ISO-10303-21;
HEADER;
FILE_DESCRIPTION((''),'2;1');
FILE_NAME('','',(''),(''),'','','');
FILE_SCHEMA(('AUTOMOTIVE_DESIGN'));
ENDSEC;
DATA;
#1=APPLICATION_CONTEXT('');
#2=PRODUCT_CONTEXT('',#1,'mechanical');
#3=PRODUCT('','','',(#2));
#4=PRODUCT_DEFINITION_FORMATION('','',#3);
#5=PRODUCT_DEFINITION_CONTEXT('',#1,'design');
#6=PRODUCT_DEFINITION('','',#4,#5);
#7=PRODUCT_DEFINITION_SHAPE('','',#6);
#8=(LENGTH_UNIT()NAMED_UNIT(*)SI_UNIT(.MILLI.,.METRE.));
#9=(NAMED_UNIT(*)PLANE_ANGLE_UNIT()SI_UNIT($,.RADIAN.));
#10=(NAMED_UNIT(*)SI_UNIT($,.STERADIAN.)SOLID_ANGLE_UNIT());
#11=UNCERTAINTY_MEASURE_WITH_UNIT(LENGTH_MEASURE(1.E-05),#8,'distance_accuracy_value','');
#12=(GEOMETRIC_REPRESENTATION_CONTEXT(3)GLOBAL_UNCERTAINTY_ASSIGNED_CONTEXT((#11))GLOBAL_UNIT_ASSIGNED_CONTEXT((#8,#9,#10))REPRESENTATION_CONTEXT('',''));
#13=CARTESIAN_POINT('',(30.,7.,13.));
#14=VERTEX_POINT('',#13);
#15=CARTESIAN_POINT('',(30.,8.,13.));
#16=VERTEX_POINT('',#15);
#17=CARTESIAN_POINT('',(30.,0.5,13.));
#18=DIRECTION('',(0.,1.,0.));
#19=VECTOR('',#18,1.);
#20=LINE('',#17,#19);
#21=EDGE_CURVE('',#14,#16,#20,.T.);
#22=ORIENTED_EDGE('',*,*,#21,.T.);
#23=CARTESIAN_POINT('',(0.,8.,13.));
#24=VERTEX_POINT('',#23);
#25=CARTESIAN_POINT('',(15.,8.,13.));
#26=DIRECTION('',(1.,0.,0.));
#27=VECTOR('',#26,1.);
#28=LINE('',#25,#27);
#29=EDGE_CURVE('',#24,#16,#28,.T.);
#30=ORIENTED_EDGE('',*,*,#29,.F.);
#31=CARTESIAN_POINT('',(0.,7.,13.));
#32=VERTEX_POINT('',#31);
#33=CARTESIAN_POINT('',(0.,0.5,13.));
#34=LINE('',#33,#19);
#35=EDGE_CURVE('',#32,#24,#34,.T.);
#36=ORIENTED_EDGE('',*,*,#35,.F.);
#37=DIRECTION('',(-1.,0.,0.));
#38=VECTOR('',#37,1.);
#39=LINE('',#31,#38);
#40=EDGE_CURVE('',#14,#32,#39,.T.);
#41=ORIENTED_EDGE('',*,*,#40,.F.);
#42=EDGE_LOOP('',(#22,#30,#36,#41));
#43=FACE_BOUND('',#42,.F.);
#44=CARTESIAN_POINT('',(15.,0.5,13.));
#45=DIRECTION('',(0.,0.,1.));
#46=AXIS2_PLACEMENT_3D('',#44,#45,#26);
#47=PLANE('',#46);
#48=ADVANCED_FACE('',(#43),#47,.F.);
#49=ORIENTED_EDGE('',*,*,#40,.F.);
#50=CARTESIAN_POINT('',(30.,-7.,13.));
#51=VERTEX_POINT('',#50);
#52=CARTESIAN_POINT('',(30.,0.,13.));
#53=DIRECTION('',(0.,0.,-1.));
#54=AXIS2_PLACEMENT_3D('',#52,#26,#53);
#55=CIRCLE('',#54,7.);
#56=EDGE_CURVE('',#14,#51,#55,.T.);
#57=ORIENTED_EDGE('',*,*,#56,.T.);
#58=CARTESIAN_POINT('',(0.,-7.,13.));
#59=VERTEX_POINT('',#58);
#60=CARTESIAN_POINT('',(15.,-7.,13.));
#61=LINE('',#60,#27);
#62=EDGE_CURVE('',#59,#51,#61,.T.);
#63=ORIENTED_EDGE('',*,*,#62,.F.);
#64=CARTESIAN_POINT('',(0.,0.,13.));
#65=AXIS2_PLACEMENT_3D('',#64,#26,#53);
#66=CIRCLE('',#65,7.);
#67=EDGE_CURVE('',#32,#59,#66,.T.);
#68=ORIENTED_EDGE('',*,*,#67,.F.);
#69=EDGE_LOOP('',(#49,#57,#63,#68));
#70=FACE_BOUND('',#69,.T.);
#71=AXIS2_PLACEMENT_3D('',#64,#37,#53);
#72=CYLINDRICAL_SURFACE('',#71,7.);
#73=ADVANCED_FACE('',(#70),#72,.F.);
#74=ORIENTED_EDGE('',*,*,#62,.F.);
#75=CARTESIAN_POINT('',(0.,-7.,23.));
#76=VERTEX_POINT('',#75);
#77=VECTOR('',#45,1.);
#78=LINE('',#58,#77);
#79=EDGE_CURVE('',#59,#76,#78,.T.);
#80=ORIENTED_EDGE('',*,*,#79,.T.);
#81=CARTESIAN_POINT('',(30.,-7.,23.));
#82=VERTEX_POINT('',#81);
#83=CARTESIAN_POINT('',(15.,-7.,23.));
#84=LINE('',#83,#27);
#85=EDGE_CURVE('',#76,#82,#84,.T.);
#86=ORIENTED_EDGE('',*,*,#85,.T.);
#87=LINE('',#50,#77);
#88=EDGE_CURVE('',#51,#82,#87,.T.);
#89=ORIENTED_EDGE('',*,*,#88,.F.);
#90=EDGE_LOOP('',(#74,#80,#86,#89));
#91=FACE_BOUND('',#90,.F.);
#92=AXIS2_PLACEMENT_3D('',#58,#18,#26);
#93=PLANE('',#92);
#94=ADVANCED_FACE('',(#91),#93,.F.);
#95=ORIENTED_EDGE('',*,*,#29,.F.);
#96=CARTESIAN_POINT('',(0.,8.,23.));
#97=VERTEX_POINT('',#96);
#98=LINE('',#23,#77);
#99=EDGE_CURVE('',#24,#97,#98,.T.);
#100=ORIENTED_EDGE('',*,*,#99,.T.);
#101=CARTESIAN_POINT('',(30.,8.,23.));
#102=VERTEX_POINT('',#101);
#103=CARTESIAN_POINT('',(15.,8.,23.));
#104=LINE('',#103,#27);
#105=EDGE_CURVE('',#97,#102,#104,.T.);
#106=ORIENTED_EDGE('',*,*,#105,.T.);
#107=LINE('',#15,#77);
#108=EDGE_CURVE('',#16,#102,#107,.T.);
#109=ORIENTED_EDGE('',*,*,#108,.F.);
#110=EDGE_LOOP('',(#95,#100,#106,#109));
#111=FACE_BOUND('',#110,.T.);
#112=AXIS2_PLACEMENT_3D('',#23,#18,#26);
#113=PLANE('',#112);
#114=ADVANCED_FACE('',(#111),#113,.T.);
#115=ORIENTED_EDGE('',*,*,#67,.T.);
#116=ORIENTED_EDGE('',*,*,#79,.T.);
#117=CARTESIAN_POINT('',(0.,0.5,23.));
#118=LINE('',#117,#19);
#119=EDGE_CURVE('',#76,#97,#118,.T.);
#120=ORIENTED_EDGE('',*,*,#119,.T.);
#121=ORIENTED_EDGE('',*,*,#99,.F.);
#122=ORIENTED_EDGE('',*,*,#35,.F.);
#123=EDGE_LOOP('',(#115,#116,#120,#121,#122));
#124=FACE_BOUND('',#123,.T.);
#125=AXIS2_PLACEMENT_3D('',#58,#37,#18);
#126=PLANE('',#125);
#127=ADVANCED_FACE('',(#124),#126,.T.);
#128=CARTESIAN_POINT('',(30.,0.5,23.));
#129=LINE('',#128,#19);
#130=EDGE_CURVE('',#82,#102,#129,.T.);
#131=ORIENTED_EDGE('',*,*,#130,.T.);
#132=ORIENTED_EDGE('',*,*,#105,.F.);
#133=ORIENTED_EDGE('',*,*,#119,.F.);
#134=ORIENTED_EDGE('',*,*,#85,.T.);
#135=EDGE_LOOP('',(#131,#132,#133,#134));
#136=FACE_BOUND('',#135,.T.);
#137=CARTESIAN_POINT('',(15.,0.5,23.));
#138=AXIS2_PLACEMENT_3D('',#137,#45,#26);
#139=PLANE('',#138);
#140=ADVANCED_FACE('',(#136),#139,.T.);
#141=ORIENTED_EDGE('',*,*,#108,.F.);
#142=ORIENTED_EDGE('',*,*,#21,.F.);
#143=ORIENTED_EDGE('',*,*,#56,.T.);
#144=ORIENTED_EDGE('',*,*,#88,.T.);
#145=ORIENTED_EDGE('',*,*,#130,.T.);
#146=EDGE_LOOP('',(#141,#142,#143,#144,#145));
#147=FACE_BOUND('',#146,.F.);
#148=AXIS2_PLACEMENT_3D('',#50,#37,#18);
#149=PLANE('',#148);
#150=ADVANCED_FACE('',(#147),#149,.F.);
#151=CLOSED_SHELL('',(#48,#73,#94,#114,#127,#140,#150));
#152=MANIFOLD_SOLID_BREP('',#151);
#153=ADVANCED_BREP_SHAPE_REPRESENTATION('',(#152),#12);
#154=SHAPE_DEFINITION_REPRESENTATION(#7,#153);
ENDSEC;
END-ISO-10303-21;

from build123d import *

# Parameters (mm, degrees)
CYLINDER018_R           = 7
CYLINDER018_DEPTH       = 30
CYLINDER018_PITCH_ANGLE = 90
BOX003_W                = 30
BOX003_H                = 15
BOX003_DEPTH            = 10


with BuildPart() as cylinder018:
    # Cylinder018 → Cylinder018 (new body)
    with BuildSketch(Plane.XY):
        Circle(CYLINDER018_R)
    extrude(amount=CYLINDER018_DEPTH)


with BuildPart() as cylinder018_1:
    # Cylinder018 pitch: moved
    add(cylinder018.part.rotate(Axis((0, 0, 0), (0, 1, 0)), CYLINDER018_PITCH_ANGLE))


with BuildPart() as cylinder018_2:
    # Cylinder018 placement: moved
    add(cylinder018_1.part.moved(Location((0, 0, 13))))


with BuildPart() as cut013:
    # Box003 → Box003 (new body)
    with BuildSketch(Plane(origin=(0, -7, 13), x_dir=(1, 0, 0), z_dir=(0, 0, 1))):
        with Locations((15, 7.5)):
            Rectangle(BOX003_W, BOX003_H)
    extrude(amount=BOX003_DEPTH)

    # Cut013: cut Cylinder018
    add(cylinder018_2.part, mode=Mode.SUBTRACT)


solid = cut013.part
